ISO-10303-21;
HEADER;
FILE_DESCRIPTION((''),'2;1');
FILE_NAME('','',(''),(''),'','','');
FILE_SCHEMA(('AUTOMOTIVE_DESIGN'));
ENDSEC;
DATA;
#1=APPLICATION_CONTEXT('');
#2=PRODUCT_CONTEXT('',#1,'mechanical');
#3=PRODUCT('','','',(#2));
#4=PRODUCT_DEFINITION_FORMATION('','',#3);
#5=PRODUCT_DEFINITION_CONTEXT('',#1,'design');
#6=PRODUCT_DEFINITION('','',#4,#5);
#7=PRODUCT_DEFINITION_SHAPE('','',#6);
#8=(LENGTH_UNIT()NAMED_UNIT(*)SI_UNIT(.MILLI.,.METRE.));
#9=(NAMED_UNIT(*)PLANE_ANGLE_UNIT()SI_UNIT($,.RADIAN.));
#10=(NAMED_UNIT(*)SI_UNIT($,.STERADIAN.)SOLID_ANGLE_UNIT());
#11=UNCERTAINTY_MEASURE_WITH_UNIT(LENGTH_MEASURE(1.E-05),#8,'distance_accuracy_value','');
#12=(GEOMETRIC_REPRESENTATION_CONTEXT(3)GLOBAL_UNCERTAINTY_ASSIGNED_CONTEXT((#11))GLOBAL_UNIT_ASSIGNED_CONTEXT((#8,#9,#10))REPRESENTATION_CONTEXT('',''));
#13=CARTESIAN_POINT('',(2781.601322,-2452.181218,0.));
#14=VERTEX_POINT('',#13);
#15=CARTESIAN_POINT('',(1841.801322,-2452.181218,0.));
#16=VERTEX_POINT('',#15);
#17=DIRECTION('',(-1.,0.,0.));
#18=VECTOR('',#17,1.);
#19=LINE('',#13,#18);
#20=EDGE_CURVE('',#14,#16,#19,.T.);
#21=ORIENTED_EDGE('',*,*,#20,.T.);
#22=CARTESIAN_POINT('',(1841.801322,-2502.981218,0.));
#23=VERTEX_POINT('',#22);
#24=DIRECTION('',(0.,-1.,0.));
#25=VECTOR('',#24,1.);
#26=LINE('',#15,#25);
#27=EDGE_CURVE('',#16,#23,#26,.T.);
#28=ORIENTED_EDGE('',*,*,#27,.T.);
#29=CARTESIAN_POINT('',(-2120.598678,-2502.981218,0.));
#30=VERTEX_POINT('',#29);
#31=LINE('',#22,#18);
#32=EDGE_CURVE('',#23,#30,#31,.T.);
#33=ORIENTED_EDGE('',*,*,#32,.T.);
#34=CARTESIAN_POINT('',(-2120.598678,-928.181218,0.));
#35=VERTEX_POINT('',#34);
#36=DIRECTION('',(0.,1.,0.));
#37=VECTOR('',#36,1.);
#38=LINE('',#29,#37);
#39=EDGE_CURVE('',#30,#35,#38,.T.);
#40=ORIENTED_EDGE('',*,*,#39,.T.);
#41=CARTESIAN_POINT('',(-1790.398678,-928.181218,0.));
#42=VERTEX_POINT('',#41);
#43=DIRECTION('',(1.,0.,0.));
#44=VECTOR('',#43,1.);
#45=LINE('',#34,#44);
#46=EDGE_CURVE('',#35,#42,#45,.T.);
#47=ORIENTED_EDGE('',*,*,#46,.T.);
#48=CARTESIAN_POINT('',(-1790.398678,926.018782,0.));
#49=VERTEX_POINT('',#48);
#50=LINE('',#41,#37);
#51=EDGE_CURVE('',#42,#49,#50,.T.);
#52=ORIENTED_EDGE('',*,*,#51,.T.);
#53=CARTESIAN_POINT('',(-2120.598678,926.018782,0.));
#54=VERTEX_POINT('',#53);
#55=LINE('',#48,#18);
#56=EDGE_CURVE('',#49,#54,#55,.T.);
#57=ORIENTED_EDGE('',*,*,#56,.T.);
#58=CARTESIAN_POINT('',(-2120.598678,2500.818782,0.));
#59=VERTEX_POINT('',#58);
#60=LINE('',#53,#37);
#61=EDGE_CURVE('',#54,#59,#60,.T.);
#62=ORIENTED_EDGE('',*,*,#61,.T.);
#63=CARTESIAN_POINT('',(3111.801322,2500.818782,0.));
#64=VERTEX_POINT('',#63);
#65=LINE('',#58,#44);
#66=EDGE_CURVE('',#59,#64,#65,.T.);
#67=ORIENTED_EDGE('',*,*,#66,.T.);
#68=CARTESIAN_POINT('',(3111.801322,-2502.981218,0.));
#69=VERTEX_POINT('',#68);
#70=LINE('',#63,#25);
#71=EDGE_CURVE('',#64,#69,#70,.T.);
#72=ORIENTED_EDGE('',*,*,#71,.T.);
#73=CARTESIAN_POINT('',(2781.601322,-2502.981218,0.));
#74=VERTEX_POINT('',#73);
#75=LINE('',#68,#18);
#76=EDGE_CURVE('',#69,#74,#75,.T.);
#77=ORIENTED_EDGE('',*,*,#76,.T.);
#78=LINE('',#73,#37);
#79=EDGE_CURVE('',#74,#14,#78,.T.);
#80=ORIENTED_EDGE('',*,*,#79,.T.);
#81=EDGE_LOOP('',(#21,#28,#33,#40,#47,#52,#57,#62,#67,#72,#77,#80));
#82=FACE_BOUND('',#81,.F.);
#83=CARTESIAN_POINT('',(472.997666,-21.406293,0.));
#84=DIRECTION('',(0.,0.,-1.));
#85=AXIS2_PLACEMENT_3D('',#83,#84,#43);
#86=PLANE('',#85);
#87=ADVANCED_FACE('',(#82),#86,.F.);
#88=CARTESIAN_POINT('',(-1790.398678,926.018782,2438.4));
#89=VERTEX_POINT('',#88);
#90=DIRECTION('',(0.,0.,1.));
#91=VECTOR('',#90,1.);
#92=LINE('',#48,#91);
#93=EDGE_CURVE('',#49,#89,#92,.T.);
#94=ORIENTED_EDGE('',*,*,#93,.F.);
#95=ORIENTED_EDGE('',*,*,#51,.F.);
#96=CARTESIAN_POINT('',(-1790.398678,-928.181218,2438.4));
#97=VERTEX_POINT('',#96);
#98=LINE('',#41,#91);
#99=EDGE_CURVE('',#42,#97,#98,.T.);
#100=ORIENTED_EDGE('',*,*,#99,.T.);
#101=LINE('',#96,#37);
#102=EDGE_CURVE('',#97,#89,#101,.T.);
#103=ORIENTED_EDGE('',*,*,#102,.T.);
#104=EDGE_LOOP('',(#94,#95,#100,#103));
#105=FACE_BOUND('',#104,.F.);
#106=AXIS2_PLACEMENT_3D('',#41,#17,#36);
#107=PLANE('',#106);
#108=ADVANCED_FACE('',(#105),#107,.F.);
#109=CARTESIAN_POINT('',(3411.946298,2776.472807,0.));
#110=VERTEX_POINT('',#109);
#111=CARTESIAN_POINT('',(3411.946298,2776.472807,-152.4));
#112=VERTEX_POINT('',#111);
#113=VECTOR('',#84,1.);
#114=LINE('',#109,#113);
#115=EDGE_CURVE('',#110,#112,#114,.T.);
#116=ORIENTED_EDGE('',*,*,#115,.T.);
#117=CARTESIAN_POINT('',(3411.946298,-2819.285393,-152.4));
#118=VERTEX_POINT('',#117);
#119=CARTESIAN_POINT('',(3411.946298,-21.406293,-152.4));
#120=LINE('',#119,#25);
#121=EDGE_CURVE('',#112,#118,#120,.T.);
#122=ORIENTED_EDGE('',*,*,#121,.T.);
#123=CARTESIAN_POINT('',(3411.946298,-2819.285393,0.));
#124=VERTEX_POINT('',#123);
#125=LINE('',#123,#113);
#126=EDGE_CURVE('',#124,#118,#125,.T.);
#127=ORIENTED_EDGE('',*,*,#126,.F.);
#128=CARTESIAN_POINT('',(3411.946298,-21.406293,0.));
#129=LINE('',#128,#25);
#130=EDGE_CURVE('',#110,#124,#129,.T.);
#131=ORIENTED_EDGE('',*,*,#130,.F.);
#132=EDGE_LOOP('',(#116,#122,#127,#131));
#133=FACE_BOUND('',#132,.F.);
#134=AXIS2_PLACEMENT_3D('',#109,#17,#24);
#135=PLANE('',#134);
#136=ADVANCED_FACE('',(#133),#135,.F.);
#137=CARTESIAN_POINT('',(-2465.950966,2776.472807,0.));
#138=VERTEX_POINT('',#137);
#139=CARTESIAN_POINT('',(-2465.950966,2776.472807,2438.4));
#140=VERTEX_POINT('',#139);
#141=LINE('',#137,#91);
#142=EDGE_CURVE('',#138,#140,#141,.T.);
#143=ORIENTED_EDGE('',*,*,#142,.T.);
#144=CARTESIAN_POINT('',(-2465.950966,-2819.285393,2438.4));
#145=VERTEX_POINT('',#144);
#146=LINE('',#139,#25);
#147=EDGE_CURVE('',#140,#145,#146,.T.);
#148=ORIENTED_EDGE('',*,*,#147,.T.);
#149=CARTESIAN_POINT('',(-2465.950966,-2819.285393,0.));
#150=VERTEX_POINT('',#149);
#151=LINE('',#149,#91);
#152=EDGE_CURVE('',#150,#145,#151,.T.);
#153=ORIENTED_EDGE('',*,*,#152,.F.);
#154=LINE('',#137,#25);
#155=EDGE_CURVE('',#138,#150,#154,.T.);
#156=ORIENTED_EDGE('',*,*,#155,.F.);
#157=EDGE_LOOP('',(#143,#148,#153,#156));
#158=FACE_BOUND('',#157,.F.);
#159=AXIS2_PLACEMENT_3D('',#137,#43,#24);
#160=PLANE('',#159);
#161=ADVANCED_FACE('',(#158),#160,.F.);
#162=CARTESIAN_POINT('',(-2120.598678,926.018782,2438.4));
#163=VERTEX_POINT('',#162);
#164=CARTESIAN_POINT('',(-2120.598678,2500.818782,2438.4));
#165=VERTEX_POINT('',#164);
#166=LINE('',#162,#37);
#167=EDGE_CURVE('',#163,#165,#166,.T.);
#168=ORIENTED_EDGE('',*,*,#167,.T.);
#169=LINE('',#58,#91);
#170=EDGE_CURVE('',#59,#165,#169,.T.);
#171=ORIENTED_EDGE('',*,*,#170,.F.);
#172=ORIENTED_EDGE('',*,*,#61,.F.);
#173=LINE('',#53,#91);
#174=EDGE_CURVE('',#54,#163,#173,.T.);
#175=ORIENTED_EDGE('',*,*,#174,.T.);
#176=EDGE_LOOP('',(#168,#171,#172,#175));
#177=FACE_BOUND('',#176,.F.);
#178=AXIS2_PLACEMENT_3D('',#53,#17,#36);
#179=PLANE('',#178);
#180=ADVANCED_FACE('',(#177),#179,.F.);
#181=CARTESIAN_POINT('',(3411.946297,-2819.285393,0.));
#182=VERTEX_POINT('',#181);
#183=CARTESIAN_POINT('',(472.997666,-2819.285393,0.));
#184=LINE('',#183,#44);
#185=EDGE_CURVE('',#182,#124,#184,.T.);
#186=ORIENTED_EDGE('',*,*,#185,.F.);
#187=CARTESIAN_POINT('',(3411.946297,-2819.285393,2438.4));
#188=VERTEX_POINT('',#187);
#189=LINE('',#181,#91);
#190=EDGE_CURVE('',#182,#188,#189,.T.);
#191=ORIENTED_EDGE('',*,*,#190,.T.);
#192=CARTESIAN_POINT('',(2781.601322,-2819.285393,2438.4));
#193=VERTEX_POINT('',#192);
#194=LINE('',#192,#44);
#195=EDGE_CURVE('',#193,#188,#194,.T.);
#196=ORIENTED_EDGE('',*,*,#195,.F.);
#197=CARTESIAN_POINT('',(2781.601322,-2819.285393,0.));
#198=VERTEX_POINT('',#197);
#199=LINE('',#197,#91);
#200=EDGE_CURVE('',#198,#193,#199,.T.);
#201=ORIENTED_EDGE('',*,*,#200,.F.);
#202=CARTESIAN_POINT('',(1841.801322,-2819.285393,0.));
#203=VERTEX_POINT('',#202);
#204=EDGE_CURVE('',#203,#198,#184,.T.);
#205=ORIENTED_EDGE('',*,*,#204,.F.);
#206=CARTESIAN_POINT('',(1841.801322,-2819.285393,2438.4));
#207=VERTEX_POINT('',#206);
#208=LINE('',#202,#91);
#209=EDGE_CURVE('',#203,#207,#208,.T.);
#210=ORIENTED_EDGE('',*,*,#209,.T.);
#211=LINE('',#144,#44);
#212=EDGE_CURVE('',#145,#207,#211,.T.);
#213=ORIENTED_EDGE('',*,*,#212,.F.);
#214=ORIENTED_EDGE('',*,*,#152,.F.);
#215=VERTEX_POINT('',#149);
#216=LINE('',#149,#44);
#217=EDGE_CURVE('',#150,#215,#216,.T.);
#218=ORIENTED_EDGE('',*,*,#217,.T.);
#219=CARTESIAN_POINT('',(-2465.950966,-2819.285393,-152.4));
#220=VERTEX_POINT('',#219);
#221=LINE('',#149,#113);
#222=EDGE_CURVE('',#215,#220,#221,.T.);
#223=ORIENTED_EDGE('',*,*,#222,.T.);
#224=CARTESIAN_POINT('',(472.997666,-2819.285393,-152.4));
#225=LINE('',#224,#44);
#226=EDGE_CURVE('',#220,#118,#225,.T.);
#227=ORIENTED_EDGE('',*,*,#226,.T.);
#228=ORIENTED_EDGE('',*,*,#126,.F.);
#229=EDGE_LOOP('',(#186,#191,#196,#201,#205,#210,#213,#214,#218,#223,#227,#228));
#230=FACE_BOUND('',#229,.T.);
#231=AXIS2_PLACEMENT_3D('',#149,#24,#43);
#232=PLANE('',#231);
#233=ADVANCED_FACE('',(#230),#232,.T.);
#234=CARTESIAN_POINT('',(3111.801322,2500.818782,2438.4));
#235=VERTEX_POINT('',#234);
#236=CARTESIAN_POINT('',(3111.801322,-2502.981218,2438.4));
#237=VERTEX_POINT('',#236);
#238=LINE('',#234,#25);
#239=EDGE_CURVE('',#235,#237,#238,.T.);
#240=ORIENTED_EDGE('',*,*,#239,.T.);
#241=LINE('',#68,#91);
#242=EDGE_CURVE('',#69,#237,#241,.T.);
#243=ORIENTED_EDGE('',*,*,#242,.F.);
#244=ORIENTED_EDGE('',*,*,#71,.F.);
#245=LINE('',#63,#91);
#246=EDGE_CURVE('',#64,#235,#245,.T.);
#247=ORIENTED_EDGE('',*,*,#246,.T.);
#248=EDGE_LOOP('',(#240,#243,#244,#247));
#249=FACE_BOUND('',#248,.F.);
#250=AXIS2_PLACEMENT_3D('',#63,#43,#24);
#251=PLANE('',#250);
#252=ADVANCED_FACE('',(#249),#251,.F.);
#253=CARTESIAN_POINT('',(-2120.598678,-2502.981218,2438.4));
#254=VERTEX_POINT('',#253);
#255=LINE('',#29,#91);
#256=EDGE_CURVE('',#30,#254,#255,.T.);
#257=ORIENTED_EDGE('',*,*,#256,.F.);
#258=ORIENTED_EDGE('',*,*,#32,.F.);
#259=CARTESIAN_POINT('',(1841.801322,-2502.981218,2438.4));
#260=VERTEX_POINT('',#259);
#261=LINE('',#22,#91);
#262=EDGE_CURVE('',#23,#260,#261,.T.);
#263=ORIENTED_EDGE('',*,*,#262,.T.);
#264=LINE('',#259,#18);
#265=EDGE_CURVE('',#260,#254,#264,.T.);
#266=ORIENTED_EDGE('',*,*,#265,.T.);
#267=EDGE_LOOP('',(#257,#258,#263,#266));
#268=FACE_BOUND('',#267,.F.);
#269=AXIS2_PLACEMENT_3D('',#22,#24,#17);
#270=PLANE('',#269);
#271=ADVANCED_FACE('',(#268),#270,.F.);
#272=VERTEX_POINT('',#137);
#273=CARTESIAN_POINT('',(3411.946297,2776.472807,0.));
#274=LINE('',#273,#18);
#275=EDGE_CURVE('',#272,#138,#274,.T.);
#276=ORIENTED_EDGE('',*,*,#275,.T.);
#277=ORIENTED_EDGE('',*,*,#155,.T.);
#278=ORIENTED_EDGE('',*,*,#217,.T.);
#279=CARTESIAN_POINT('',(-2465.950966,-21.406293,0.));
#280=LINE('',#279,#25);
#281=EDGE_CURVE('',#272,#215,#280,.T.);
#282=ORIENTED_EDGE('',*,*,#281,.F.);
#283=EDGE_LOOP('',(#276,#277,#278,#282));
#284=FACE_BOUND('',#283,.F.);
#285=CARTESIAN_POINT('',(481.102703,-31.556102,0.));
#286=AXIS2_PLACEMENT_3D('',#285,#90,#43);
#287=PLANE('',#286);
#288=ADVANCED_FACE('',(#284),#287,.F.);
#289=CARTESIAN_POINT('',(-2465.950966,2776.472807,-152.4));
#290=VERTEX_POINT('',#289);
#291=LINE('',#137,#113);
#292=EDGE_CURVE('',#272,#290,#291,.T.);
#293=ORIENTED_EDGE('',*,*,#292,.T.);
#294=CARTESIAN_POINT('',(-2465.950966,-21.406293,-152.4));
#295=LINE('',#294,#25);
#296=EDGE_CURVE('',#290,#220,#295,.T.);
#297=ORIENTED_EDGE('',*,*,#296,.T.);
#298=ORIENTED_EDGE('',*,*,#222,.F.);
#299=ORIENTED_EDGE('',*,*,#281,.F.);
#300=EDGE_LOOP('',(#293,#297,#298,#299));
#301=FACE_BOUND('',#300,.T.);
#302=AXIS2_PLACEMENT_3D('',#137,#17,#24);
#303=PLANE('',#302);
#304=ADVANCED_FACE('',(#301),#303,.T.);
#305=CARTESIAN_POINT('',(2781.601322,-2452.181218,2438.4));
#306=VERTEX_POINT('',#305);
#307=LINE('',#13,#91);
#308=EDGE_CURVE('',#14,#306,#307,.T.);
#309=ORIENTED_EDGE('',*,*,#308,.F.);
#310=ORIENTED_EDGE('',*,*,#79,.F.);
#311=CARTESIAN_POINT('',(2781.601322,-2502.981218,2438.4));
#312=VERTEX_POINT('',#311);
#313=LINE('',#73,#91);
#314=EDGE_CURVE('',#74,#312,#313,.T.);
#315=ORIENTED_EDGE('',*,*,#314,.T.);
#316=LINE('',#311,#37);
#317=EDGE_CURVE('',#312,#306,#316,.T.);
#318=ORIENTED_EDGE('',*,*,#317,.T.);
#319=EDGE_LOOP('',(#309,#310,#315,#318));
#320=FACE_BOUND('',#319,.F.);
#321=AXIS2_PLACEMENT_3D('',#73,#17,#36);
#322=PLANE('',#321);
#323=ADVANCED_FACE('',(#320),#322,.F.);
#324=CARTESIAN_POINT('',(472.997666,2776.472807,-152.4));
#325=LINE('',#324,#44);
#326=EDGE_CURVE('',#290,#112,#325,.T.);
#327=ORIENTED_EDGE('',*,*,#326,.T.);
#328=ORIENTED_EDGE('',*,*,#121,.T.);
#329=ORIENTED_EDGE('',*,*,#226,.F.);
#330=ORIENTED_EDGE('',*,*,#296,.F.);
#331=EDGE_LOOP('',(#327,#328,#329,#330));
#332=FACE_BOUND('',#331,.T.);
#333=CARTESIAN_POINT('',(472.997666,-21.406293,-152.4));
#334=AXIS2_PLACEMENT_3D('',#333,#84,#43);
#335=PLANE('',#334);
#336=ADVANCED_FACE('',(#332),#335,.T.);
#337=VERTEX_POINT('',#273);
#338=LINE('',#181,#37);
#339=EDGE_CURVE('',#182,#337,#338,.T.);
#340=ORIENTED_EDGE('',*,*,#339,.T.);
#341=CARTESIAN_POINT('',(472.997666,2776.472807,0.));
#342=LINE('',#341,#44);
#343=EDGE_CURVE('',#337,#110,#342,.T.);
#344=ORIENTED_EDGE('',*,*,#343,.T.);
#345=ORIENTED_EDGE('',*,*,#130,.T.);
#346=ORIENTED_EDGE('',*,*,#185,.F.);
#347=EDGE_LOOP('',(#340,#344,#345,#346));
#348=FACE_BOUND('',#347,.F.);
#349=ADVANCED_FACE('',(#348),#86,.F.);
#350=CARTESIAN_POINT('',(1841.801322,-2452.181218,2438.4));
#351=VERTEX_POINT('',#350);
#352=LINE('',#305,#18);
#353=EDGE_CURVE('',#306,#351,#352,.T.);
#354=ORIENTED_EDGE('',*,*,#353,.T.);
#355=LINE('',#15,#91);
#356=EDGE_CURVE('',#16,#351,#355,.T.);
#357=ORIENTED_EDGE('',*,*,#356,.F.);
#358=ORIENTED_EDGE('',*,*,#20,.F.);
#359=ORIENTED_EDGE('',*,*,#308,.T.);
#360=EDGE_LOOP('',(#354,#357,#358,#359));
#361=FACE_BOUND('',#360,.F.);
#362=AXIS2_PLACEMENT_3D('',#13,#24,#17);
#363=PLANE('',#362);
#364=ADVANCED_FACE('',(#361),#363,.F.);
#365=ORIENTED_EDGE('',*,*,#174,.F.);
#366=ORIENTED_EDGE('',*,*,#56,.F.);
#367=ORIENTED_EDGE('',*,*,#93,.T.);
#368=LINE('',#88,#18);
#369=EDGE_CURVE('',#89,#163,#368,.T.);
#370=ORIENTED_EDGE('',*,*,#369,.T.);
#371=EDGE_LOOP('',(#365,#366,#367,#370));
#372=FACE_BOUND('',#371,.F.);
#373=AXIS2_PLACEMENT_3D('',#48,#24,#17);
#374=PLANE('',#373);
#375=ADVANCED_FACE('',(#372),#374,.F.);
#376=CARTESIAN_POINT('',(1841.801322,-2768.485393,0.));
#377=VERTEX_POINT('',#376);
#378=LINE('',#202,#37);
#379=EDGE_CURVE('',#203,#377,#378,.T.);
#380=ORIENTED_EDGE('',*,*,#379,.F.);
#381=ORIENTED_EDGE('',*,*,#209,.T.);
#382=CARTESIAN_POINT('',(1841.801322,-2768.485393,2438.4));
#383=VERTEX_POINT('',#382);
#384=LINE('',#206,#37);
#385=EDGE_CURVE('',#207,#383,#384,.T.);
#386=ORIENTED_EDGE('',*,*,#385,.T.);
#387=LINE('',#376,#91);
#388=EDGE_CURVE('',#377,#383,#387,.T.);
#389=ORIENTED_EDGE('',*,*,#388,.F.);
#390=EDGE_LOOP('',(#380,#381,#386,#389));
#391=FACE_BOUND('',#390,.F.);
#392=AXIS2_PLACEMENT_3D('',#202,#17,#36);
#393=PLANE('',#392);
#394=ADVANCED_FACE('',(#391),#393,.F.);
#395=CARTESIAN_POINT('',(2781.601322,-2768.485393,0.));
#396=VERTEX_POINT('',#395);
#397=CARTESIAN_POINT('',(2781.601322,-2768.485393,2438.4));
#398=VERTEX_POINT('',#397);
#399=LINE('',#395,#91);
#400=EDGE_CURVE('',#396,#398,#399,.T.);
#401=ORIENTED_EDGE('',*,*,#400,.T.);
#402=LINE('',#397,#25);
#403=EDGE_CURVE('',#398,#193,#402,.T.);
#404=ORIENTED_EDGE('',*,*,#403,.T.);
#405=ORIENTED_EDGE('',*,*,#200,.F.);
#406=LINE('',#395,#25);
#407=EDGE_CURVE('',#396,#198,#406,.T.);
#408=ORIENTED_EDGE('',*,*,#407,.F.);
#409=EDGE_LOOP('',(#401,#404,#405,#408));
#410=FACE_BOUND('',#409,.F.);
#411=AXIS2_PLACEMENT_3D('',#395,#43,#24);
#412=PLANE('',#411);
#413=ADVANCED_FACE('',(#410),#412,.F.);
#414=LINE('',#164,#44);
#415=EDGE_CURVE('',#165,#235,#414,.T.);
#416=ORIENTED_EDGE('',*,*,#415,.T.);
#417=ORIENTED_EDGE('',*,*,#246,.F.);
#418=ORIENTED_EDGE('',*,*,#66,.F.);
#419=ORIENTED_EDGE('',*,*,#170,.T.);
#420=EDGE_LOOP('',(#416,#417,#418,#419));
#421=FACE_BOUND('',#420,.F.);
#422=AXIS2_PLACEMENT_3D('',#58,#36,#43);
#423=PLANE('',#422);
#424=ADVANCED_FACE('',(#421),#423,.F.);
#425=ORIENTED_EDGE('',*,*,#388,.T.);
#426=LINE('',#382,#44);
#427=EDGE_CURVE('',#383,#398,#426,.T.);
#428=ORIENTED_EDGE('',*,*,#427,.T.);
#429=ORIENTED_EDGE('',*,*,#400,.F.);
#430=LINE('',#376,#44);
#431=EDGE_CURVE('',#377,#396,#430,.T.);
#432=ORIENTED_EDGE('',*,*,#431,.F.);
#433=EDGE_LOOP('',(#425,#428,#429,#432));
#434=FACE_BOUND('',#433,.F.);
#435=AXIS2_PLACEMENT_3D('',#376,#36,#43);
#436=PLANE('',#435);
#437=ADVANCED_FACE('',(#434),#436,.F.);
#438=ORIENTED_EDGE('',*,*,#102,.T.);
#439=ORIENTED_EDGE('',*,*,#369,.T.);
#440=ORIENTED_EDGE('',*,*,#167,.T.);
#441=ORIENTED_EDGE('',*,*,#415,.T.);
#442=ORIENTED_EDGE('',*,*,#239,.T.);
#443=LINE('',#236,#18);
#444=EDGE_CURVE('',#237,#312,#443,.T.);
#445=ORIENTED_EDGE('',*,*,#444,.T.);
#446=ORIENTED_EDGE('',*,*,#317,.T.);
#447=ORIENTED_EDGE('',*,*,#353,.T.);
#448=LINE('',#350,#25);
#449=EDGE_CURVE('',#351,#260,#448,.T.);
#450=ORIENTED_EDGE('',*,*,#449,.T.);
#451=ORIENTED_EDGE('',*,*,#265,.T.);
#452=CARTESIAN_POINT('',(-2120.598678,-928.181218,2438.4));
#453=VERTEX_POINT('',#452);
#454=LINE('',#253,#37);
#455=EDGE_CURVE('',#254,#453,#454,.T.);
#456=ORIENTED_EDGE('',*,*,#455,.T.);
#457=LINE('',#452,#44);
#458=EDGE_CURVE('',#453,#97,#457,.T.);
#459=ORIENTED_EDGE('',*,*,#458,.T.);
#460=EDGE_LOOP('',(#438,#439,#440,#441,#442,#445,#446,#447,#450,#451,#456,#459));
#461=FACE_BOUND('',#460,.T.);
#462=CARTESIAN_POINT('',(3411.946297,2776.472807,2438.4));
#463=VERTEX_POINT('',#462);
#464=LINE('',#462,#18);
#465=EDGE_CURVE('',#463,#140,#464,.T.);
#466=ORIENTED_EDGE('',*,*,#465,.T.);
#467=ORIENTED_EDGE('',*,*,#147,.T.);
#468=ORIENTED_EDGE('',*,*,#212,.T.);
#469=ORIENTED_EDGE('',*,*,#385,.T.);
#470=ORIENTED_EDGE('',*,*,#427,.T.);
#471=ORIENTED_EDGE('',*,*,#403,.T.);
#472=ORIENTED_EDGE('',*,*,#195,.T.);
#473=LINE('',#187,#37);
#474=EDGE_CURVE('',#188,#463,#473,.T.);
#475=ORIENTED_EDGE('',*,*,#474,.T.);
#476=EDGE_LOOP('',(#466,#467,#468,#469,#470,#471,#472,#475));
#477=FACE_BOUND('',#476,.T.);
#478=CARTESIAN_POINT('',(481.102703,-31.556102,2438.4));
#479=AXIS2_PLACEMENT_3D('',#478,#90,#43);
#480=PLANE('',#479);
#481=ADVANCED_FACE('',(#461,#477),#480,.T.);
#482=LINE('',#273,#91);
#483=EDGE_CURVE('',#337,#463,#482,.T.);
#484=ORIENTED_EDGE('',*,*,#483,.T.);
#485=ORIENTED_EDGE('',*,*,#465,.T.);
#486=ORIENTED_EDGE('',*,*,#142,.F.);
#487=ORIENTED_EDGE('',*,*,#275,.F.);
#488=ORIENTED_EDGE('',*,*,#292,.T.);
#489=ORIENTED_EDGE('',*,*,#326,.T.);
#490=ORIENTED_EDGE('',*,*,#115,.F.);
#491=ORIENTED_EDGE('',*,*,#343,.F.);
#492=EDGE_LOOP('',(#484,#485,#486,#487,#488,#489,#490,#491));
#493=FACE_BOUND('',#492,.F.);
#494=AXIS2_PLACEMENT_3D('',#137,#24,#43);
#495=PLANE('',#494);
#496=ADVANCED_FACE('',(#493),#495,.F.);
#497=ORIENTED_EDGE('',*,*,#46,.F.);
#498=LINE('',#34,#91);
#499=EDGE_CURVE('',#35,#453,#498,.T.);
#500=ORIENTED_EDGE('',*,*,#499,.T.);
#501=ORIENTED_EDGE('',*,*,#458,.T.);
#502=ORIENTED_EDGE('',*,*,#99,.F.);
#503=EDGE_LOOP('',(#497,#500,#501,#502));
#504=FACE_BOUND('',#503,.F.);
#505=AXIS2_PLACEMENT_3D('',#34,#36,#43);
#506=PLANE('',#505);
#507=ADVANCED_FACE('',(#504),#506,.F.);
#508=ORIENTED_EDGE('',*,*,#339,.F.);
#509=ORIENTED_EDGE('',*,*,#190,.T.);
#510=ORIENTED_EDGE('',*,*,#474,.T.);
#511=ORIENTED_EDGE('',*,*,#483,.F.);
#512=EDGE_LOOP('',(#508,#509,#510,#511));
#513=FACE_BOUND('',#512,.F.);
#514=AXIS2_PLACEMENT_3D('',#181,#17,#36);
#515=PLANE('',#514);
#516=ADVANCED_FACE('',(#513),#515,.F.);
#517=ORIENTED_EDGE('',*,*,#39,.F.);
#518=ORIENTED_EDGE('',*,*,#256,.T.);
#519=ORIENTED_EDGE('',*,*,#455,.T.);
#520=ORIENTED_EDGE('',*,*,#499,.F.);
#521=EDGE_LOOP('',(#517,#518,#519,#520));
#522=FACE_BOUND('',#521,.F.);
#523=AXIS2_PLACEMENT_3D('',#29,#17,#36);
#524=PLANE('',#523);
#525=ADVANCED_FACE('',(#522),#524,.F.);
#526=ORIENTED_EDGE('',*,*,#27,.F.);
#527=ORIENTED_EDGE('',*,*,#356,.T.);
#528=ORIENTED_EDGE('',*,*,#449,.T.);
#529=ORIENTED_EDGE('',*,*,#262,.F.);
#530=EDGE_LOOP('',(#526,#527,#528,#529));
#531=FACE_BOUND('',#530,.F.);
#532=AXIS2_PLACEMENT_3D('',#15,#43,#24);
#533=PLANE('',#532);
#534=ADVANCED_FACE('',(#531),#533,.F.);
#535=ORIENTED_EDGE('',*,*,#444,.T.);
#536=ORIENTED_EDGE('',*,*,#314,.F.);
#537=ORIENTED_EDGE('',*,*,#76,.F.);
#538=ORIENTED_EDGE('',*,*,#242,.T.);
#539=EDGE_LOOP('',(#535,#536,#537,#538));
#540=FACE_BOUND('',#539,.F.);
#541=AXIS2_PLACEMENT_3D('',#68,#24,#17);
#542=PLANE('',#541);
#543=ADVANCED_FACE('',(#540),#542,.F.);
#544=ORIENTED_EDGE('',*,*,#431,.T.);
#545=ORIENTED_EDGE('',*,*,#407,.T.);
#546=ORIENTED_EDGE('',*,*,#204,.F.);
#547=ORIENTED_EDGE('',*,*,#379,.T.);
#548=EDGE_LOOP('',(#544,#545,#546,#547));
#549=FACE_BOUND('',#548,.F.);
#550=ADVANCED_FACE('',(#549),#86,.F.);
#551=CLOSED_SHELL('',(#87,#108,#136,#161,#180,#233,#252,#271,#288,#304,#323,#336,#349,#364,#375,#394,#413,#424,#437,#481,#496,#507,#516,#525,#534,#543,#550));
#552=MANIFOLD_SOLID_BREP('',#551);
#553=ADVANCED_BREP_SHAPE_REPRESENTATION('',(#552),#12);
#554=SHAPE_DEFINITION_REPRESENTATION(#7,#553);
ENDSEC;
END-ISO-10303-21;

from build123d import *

# Parameters (mm, degrees)
F1_DEPTH = 2438.4
F2_W     = 5877.897263
F2_H     = 5595.7582
F3_DEPTH = 152.4


with BuildPart() as f1:
    # F0 (on Top) → F1 (new body)
    with BuildSketch(Plane.XY):
        Polygon((3411.946297, 2776.472807), (-2465.950966, 2776.472807), (-2465.950966, -2819.285393), (1841.801322, -2819.285393), (1841.801322, -2768.485393), (2781.601322, -2768.485393), (2781.601322, -2819.285393), (3411.946297, -2819.285393), align=None)
        Polygon((-2120.598678, 926.018782), (-2120.598678, 2500.818782), (3111.801322, 2500.818782), (3111.801322, -2502.981218), (2781.601322, -2502.981218), (2781.601322, -2452.181218), (1841.801322, -2452.181218), (1841.801322, -2502.981218), (-2120.598678, -2502.981218), (-2120.598678, -928.181218), (-1790.398678, -928.181218), (-1790.398678, 926.018782), align=None, mode=Mode.SUBTRACT)
    extrude(amount=F1_DEPTH)

    # F2 (on face) → F3 (join)
    with BuildSketch(Plane(origin=(0, 0, 0), x_dir=(1, 0, 0), z_dir=(0, 0, -1))):
        with Locations((472.997666, 21.406293)):
            Rectangle(F2_W, F2_H)
    extrude(amount=F3_DEPTH)


solid = f1.part
